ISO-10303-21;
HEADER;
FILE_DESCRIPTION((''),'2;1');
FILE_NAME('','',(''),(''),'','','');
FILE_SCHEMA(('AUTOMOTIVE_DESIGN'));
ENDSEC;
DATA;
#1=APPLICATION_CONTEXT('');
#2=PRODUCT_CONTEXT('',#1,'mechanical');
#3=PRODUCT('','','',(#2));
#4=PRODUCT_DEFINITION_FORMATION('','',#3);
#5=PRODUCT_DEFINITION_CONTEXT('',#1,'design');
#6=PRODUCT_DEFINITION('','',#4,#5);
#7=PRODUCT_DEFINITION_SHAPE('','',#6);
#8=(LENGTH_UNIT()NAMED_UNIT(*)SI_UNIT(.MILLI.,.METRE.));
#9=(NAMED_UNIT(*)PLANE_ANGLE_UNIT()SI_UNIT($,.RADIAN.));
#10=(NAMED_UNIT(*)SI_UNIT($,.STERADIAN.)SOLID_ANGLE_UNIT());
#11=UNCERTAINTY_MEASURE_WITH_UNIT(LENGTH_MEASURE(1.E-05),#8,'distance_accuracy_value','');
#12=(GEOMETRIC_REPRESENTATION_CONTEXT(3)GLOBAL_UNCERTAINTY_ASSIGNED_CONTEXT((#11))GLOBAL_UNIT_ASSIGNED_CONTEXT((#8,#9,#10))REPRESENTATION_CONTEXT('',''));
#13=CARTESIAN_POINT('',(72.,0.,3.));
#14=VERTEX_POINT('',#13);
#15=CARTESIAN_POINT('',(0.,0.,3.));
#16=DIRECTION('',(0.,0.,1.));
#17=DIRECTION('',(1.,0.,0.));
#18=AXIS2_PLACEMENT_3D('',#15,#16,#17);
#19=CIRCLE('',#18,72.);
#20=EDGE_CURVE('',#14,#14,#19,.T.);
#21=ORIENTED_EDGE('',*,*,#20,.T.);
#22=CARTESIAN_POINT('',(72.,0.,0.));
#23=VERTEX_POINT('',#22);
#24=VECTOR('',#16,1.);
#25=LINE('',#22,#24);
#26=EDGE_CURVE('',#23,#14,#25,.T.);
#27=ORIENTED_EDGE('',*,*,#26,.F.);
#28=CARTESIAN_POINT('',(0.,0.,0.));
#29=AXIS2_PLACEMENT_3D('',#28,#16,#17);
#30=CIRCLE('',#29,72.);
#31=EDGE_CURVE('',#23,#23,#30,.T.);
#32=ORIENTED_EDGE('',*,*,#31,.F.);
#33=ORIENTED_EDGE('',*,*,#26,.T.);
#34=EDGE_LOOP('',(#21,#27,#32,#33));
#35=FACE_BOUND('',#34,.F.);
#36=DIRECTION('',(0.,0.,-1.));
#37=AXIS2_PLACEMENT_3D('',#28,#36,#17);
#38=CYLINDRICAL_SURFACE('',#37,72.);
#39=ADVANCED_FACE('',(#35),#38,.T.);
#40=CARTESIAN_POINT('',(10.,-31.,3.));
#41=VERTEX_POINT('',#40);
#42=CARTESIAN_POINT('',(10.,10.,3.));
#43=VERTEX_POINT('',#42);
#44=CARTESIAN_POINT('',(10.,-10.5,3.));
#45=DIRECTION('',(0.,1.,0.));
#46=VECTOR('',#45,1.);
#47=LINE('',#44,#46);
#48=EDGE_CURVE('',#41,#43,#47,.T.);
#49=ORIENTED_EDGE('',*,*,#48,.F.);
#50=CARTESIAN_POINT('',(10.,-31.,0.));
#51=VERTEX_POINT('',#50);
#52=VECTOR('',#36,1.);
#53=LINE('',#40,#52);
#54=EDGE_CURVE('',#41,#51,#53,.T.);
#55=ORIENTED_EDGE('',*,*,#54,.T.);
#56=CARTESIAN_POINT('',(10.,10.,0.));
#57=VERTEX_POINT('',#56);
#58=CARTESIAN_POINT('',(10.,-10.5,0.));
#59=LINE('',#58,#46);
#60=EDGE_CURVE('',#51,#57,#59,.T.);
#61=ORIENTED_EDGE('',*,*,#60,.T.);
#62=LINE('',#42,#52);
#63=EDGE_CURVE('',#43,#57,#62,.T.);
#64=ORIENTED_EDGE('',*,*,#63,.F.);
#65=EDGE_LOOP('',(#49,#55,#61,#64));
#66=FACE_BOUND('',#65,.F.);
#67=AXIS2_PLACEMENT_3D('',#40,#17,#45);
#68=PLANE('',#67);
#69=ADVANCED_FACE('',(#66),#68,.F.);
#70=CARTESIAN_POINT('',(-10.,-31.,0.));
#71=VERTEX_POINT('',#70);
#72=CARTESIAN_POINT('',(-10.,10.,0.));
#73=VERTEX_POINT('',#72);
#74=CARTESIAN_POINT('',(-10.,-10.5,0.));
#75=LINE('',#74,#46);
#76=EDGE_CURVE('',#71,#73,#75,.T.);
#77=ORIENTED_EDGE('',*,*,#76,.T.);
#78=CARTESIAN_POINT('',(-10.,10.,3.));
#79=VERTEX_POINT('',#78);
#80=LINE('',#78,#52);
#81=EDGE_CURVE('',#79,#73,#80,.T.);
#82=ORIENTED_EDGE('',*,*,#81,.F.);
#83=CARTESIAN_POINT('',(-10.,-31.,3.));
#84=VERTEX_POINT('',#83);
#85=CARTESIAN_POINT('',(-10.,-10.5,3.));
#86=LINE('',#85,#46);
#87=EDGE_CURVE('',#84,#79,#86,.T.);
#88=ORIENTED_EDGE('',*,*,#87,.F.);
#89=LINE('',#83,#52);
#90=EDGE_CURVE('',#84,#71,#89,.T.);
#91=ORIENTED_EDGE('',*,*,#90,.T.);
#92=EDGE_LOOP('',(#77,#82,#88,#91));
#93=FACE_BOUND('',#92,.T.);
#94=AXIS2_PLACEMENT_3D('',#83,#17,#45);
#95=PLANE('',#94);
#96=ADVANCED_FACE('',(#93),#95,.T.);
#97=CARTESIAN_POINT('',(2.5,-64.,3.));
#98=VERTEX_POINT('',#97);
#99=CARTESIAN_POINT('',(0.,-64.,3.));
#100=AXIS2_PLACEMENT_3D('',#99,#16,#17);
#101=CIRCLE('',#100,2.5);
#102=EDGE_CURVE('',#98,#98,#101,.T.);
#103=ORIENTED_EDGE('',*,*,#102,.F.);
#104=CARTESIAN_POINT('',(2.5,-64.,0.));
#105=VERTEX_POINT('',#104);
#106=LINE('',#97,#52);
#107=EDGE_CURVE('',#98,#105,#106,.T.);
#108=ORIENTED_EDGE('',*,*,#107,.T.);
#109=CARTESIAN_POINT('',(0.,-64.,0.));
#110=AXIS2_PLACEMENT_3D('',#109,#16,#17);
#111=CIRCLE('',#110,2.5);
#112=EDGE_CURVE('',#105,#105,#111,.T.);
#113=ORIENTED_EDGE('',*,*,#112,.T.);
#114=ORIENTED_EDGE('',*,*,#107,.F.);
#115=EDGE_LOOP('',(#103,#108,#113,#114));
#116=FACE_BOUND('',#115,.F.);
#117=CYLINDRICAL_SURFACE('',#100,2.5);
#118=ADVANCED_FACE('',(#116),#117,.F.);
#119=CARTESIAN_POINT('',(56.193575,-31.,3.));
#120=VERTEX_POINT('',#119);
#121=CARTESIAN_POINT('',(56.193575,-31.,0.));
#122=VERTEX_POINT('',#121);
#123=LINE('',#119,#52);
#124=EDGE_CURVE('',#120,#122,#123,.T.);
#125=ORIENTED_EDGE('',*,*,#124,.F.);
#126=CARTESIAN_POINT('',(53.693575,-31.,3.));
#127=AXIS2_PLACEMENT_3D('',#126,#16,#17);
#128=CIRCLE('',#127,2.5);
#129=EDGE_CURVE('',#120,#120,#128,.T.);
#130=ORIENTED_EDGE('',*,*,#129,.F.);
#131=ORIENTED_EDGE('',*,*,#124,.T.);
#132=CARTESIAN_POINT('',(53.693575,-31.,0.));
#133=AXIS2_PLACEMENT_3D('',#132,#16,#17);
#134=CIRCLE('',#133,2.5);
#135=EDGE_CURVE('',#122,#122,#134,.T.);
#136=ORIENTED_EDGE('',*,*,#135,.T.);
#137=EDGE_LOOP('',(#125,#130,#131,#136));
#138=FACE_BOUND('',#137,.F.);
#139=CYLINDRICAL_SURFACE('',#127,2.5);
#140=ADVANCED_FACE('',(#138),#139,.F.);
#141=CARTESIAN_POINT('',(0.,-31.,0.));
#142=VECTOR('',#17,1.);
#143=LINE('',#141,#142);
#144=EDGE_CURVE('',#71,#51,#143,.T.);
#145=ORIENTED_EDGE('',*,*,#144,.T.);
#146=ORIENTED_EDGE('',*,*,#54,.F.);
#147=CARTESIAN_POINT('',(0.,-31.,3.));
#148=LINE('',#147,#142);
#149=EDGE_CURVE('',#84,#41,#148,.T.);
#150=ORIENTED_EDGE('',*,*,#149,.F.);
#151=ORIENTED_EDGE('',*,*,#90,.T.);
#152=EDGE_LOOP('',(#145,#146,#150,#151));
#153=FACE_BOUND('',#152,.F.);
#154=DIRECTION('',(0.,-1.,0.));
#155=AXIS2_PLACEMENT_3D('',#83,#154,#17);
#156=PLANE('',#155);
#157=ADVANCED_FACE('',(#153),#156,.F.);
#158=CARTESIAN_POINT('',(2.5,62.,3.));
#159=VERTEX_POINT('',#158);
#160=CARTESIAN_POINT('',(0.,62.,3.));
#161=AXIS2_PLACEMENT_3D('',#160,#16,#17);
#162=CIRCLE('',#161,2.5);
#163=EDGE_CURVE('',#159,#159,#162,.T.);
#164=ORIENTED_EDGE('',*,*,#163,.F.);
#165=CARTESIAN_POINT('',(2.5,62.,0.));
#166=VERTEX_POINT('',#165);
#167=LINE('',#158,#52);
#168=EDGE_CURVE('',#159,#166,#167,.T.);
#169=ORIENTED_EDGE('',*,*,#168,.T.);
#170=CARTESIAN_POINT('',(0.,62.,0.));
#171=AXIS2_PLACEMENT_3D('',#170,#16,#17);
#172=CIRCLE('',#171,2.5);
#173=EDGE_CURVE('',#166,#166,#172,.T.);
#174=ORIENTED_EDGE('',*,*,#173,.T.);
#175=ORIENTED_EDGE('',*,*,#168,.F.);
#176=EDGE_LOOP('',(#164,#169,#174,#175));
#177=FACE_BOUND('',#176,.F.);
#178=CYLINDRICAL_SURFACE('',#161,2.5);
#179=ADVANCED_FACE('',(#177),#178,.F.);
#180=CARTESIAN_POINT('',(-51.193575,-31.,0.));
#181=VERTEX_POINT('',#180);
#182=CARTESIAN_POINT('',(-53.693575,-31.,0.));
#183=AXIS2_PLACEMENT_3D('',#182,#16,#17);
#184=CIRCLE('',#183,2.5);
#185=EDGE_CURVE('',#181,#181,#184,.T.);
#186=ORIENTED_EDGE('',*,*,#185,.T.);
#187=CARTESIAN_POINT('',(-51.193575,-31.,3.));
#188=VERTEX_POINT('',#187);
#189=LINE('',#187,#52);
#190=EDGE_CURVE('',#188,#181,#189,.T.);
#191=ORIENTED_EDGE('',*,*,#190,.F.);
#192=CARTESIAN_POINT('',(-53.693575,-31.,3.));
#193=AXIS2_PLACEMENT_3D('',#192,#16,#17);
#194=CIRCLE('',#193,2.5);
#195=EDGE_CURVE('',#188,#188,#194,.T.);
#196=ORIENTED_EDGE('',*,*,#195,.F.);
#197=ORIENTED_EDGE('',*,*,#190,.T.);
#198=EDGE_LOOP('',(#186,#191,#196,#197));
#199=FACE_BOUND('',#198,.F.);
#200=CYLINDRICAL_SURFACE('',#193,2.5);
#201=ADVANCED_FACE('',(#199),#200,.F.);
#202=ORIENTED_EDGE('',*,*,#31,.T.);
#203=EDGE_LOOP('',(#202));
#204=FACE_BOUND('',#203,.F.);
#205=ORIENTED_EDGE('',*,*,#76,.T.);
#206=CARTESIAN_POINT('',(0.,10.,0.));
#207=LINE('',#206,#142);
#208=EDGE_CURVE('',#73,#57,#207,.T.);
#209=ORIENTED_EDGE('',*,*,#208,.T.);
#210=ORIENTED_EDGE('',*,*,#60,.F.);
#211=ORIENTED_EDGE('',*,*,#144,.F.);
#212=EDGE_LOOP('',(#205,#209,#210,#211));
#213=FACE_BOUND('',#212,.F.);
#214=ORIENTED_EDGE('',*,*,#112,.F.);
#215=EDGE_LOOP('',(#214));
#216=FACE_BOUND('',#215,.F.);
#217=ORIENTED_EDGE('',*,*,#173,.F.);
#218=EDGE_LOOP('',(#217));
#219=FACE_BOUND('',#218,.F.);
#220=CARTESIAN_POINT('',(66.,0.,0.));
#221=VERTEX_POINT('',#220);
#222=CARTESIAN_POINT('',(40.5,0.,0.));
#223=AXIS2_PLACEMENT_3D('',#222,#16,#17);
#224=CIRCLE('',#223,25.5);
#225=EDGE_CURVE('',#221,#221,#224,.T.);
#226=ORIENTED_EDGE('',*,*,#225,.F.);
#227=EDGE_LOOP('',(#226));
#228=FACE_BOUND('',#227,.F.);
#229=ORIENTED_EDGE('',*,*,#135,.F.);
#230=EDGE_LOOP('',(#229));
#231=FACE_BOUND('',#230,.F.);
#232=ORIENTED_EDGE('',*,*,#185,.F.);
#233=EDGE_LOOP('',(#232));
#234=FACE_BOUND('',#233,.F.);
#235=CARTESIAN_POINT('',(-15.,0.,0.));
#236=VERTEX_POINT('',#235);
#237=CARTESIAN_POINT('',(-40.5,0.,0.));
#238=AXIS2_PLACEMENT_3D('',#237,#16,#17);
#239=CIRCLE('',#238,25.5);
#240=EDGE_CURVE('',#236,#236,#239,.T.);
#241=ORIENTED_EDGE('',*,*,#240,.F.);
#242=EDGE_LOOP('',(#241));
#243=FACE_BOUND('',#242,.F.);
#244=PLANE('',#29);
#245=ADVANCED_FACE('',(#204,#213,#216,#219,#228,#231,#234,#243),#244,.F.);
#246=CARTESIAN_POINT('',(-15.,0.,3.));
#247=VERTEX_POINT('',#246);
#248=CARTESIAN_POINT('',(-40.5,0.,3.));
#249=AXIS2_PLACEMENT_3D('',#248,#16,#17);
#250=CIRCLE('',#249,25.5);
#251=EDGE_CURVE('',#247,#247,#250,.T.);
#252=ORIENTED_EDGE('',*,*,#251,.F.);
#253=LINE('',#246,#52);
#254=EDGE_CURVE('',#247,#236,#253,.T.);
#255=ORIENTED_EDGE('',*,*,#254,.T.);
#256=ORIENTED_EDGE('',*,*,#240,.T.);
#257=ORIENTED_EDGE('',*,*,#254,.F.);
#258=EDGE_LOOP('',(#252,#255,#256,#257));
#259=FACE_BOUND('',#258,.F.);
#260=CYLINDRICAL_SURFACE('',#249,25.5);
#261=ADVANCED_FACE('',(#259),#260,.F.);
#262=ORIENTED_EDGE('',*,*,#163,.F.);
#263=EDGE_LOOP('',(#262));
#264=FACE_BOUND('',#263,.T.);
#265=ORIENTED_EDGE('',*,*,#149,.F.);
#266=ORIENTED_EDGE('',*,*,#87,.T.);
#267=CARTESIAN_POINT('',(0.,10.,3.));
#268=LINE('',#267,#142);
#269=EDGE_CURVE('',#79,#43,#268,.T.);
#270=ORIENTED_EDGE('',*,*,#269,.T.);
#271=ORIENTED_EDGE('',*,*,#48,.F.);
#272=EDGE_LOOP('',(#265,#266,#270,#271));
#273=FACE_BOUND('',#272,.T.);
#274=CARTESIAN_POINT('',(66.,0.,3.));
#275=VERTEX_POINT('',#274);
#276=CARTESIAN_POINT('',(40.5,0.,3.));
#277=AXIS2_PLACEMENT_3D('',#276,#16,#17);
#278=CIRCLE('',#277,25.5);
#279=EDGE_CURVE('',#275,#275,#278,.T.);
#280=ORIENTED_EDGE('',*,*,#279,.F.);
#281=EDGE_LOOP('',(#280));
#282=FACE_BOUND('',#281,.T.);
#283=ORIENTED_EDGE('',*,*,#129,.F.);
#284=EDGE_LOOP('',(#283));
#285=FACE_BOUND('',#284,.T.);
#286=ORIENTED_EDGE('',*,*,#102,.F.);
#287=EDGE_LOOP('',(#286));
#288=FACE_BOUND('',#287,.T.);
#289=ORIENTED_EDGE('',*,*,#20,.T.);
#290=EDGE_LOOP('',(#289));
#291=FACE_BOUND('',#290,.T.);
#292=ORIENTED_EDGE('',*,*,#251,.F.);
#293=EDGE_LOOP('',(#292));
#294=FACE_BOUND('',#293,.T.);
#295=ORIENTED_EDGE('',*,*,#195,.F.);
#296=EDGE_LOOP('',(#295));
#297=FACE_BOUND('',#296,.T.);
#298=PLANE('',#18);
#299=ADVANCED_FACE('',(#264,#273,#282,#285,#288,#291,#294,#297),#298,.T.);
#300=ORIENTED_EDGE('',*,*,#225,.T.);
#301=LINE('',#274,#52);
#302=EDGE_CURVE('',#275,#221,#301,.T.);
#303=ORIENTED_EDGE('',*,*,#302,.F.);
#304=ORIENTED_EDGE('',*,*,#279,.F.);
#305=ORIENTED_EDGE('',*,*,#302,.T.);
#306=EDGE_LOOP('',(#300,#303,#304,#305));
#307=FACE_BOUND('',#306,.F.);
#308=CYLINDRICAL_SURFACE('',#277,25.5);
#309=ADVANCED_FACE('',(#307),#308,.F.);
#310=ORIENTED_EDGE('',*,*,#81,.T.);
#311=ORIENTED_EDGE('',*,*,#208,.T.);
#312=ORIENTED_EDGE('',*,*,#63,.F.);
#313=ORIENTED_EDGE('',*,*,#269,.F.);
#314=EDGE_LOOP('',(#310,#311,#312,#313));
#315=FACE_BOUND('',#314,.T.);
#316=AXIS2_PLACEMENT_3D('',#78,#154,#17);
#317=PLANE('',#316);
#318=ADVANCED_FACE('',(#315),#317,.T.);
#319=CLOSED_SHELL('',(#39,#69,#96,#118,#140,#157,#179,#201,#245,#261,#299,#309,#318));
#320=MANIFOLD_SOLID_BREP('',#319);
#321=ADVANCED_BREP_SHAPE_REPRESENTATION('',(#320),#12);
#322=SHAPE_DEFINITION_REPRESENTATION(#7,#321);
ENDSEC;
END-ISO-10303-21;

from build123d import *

# Parameters (mm, degrees)
F0_R     = 72
F1_DEPTH = 3
F2_R     = 25.5
F3_DEPTH = 3
F4_R     = 2.5
F5_DEPTH = 25.4
F6_W     = 20
F6_H     = 41
F7_DEPTH = 3
F8_R     = 2.5
F9_DEPTH = 25.4


with BuildPart() as f1:
    # F0 (on Top) → F1 (new body)
    with BuildSketch(Plane.XY):
        Circle(F0_R)
    extrude(amount=F1_DEPTH)

    # F2 (on face) → F3 (cut)
    with BuildSketch(Plane.XY.offset(3)):
        with Locations((-40.5, 0)):
            Circle(F2_R)
        with Locations((40.5, 0)):
            Circle(F2_R)
    extrude(amount=-F3_DEPTH, mode=Mode.SUBTRACT)

    # F4 (on face) → F5 (cut)
    with BuildSketch(Plane.XY.offset(3)):
        with Locations((0, 62)):
            Circle(F4_R)
        Circle(F4_R)
        with Locations((0, -64)):
            Circle(F4_R)
    extrude(amount=-F5_DEPTH, mode=Mode.SUBTRACT)

    # F6 (on face) → F7 (cut)
    with BuildSketch(Plane.XY.offset(3)):
        with Locations((0, -10.5)):
            Rectangle(F6_W, F6_H)
    extrude(amount=-F7_DEPTH, mode=Mode.SUBTRACT)

    # F8 (on face) → F9 (cut)
    with BuildSketch(Plane.XY.offset(3)):
        with Locations((-53.693575, -31)):
            Circle(F8_R)
        with Locations((53.693575, -31)):
            Circle(F8_R)
    extrude(amount=-F9_DEPTH, mode=Mode.SUBTRACT)


solid = f1.part
